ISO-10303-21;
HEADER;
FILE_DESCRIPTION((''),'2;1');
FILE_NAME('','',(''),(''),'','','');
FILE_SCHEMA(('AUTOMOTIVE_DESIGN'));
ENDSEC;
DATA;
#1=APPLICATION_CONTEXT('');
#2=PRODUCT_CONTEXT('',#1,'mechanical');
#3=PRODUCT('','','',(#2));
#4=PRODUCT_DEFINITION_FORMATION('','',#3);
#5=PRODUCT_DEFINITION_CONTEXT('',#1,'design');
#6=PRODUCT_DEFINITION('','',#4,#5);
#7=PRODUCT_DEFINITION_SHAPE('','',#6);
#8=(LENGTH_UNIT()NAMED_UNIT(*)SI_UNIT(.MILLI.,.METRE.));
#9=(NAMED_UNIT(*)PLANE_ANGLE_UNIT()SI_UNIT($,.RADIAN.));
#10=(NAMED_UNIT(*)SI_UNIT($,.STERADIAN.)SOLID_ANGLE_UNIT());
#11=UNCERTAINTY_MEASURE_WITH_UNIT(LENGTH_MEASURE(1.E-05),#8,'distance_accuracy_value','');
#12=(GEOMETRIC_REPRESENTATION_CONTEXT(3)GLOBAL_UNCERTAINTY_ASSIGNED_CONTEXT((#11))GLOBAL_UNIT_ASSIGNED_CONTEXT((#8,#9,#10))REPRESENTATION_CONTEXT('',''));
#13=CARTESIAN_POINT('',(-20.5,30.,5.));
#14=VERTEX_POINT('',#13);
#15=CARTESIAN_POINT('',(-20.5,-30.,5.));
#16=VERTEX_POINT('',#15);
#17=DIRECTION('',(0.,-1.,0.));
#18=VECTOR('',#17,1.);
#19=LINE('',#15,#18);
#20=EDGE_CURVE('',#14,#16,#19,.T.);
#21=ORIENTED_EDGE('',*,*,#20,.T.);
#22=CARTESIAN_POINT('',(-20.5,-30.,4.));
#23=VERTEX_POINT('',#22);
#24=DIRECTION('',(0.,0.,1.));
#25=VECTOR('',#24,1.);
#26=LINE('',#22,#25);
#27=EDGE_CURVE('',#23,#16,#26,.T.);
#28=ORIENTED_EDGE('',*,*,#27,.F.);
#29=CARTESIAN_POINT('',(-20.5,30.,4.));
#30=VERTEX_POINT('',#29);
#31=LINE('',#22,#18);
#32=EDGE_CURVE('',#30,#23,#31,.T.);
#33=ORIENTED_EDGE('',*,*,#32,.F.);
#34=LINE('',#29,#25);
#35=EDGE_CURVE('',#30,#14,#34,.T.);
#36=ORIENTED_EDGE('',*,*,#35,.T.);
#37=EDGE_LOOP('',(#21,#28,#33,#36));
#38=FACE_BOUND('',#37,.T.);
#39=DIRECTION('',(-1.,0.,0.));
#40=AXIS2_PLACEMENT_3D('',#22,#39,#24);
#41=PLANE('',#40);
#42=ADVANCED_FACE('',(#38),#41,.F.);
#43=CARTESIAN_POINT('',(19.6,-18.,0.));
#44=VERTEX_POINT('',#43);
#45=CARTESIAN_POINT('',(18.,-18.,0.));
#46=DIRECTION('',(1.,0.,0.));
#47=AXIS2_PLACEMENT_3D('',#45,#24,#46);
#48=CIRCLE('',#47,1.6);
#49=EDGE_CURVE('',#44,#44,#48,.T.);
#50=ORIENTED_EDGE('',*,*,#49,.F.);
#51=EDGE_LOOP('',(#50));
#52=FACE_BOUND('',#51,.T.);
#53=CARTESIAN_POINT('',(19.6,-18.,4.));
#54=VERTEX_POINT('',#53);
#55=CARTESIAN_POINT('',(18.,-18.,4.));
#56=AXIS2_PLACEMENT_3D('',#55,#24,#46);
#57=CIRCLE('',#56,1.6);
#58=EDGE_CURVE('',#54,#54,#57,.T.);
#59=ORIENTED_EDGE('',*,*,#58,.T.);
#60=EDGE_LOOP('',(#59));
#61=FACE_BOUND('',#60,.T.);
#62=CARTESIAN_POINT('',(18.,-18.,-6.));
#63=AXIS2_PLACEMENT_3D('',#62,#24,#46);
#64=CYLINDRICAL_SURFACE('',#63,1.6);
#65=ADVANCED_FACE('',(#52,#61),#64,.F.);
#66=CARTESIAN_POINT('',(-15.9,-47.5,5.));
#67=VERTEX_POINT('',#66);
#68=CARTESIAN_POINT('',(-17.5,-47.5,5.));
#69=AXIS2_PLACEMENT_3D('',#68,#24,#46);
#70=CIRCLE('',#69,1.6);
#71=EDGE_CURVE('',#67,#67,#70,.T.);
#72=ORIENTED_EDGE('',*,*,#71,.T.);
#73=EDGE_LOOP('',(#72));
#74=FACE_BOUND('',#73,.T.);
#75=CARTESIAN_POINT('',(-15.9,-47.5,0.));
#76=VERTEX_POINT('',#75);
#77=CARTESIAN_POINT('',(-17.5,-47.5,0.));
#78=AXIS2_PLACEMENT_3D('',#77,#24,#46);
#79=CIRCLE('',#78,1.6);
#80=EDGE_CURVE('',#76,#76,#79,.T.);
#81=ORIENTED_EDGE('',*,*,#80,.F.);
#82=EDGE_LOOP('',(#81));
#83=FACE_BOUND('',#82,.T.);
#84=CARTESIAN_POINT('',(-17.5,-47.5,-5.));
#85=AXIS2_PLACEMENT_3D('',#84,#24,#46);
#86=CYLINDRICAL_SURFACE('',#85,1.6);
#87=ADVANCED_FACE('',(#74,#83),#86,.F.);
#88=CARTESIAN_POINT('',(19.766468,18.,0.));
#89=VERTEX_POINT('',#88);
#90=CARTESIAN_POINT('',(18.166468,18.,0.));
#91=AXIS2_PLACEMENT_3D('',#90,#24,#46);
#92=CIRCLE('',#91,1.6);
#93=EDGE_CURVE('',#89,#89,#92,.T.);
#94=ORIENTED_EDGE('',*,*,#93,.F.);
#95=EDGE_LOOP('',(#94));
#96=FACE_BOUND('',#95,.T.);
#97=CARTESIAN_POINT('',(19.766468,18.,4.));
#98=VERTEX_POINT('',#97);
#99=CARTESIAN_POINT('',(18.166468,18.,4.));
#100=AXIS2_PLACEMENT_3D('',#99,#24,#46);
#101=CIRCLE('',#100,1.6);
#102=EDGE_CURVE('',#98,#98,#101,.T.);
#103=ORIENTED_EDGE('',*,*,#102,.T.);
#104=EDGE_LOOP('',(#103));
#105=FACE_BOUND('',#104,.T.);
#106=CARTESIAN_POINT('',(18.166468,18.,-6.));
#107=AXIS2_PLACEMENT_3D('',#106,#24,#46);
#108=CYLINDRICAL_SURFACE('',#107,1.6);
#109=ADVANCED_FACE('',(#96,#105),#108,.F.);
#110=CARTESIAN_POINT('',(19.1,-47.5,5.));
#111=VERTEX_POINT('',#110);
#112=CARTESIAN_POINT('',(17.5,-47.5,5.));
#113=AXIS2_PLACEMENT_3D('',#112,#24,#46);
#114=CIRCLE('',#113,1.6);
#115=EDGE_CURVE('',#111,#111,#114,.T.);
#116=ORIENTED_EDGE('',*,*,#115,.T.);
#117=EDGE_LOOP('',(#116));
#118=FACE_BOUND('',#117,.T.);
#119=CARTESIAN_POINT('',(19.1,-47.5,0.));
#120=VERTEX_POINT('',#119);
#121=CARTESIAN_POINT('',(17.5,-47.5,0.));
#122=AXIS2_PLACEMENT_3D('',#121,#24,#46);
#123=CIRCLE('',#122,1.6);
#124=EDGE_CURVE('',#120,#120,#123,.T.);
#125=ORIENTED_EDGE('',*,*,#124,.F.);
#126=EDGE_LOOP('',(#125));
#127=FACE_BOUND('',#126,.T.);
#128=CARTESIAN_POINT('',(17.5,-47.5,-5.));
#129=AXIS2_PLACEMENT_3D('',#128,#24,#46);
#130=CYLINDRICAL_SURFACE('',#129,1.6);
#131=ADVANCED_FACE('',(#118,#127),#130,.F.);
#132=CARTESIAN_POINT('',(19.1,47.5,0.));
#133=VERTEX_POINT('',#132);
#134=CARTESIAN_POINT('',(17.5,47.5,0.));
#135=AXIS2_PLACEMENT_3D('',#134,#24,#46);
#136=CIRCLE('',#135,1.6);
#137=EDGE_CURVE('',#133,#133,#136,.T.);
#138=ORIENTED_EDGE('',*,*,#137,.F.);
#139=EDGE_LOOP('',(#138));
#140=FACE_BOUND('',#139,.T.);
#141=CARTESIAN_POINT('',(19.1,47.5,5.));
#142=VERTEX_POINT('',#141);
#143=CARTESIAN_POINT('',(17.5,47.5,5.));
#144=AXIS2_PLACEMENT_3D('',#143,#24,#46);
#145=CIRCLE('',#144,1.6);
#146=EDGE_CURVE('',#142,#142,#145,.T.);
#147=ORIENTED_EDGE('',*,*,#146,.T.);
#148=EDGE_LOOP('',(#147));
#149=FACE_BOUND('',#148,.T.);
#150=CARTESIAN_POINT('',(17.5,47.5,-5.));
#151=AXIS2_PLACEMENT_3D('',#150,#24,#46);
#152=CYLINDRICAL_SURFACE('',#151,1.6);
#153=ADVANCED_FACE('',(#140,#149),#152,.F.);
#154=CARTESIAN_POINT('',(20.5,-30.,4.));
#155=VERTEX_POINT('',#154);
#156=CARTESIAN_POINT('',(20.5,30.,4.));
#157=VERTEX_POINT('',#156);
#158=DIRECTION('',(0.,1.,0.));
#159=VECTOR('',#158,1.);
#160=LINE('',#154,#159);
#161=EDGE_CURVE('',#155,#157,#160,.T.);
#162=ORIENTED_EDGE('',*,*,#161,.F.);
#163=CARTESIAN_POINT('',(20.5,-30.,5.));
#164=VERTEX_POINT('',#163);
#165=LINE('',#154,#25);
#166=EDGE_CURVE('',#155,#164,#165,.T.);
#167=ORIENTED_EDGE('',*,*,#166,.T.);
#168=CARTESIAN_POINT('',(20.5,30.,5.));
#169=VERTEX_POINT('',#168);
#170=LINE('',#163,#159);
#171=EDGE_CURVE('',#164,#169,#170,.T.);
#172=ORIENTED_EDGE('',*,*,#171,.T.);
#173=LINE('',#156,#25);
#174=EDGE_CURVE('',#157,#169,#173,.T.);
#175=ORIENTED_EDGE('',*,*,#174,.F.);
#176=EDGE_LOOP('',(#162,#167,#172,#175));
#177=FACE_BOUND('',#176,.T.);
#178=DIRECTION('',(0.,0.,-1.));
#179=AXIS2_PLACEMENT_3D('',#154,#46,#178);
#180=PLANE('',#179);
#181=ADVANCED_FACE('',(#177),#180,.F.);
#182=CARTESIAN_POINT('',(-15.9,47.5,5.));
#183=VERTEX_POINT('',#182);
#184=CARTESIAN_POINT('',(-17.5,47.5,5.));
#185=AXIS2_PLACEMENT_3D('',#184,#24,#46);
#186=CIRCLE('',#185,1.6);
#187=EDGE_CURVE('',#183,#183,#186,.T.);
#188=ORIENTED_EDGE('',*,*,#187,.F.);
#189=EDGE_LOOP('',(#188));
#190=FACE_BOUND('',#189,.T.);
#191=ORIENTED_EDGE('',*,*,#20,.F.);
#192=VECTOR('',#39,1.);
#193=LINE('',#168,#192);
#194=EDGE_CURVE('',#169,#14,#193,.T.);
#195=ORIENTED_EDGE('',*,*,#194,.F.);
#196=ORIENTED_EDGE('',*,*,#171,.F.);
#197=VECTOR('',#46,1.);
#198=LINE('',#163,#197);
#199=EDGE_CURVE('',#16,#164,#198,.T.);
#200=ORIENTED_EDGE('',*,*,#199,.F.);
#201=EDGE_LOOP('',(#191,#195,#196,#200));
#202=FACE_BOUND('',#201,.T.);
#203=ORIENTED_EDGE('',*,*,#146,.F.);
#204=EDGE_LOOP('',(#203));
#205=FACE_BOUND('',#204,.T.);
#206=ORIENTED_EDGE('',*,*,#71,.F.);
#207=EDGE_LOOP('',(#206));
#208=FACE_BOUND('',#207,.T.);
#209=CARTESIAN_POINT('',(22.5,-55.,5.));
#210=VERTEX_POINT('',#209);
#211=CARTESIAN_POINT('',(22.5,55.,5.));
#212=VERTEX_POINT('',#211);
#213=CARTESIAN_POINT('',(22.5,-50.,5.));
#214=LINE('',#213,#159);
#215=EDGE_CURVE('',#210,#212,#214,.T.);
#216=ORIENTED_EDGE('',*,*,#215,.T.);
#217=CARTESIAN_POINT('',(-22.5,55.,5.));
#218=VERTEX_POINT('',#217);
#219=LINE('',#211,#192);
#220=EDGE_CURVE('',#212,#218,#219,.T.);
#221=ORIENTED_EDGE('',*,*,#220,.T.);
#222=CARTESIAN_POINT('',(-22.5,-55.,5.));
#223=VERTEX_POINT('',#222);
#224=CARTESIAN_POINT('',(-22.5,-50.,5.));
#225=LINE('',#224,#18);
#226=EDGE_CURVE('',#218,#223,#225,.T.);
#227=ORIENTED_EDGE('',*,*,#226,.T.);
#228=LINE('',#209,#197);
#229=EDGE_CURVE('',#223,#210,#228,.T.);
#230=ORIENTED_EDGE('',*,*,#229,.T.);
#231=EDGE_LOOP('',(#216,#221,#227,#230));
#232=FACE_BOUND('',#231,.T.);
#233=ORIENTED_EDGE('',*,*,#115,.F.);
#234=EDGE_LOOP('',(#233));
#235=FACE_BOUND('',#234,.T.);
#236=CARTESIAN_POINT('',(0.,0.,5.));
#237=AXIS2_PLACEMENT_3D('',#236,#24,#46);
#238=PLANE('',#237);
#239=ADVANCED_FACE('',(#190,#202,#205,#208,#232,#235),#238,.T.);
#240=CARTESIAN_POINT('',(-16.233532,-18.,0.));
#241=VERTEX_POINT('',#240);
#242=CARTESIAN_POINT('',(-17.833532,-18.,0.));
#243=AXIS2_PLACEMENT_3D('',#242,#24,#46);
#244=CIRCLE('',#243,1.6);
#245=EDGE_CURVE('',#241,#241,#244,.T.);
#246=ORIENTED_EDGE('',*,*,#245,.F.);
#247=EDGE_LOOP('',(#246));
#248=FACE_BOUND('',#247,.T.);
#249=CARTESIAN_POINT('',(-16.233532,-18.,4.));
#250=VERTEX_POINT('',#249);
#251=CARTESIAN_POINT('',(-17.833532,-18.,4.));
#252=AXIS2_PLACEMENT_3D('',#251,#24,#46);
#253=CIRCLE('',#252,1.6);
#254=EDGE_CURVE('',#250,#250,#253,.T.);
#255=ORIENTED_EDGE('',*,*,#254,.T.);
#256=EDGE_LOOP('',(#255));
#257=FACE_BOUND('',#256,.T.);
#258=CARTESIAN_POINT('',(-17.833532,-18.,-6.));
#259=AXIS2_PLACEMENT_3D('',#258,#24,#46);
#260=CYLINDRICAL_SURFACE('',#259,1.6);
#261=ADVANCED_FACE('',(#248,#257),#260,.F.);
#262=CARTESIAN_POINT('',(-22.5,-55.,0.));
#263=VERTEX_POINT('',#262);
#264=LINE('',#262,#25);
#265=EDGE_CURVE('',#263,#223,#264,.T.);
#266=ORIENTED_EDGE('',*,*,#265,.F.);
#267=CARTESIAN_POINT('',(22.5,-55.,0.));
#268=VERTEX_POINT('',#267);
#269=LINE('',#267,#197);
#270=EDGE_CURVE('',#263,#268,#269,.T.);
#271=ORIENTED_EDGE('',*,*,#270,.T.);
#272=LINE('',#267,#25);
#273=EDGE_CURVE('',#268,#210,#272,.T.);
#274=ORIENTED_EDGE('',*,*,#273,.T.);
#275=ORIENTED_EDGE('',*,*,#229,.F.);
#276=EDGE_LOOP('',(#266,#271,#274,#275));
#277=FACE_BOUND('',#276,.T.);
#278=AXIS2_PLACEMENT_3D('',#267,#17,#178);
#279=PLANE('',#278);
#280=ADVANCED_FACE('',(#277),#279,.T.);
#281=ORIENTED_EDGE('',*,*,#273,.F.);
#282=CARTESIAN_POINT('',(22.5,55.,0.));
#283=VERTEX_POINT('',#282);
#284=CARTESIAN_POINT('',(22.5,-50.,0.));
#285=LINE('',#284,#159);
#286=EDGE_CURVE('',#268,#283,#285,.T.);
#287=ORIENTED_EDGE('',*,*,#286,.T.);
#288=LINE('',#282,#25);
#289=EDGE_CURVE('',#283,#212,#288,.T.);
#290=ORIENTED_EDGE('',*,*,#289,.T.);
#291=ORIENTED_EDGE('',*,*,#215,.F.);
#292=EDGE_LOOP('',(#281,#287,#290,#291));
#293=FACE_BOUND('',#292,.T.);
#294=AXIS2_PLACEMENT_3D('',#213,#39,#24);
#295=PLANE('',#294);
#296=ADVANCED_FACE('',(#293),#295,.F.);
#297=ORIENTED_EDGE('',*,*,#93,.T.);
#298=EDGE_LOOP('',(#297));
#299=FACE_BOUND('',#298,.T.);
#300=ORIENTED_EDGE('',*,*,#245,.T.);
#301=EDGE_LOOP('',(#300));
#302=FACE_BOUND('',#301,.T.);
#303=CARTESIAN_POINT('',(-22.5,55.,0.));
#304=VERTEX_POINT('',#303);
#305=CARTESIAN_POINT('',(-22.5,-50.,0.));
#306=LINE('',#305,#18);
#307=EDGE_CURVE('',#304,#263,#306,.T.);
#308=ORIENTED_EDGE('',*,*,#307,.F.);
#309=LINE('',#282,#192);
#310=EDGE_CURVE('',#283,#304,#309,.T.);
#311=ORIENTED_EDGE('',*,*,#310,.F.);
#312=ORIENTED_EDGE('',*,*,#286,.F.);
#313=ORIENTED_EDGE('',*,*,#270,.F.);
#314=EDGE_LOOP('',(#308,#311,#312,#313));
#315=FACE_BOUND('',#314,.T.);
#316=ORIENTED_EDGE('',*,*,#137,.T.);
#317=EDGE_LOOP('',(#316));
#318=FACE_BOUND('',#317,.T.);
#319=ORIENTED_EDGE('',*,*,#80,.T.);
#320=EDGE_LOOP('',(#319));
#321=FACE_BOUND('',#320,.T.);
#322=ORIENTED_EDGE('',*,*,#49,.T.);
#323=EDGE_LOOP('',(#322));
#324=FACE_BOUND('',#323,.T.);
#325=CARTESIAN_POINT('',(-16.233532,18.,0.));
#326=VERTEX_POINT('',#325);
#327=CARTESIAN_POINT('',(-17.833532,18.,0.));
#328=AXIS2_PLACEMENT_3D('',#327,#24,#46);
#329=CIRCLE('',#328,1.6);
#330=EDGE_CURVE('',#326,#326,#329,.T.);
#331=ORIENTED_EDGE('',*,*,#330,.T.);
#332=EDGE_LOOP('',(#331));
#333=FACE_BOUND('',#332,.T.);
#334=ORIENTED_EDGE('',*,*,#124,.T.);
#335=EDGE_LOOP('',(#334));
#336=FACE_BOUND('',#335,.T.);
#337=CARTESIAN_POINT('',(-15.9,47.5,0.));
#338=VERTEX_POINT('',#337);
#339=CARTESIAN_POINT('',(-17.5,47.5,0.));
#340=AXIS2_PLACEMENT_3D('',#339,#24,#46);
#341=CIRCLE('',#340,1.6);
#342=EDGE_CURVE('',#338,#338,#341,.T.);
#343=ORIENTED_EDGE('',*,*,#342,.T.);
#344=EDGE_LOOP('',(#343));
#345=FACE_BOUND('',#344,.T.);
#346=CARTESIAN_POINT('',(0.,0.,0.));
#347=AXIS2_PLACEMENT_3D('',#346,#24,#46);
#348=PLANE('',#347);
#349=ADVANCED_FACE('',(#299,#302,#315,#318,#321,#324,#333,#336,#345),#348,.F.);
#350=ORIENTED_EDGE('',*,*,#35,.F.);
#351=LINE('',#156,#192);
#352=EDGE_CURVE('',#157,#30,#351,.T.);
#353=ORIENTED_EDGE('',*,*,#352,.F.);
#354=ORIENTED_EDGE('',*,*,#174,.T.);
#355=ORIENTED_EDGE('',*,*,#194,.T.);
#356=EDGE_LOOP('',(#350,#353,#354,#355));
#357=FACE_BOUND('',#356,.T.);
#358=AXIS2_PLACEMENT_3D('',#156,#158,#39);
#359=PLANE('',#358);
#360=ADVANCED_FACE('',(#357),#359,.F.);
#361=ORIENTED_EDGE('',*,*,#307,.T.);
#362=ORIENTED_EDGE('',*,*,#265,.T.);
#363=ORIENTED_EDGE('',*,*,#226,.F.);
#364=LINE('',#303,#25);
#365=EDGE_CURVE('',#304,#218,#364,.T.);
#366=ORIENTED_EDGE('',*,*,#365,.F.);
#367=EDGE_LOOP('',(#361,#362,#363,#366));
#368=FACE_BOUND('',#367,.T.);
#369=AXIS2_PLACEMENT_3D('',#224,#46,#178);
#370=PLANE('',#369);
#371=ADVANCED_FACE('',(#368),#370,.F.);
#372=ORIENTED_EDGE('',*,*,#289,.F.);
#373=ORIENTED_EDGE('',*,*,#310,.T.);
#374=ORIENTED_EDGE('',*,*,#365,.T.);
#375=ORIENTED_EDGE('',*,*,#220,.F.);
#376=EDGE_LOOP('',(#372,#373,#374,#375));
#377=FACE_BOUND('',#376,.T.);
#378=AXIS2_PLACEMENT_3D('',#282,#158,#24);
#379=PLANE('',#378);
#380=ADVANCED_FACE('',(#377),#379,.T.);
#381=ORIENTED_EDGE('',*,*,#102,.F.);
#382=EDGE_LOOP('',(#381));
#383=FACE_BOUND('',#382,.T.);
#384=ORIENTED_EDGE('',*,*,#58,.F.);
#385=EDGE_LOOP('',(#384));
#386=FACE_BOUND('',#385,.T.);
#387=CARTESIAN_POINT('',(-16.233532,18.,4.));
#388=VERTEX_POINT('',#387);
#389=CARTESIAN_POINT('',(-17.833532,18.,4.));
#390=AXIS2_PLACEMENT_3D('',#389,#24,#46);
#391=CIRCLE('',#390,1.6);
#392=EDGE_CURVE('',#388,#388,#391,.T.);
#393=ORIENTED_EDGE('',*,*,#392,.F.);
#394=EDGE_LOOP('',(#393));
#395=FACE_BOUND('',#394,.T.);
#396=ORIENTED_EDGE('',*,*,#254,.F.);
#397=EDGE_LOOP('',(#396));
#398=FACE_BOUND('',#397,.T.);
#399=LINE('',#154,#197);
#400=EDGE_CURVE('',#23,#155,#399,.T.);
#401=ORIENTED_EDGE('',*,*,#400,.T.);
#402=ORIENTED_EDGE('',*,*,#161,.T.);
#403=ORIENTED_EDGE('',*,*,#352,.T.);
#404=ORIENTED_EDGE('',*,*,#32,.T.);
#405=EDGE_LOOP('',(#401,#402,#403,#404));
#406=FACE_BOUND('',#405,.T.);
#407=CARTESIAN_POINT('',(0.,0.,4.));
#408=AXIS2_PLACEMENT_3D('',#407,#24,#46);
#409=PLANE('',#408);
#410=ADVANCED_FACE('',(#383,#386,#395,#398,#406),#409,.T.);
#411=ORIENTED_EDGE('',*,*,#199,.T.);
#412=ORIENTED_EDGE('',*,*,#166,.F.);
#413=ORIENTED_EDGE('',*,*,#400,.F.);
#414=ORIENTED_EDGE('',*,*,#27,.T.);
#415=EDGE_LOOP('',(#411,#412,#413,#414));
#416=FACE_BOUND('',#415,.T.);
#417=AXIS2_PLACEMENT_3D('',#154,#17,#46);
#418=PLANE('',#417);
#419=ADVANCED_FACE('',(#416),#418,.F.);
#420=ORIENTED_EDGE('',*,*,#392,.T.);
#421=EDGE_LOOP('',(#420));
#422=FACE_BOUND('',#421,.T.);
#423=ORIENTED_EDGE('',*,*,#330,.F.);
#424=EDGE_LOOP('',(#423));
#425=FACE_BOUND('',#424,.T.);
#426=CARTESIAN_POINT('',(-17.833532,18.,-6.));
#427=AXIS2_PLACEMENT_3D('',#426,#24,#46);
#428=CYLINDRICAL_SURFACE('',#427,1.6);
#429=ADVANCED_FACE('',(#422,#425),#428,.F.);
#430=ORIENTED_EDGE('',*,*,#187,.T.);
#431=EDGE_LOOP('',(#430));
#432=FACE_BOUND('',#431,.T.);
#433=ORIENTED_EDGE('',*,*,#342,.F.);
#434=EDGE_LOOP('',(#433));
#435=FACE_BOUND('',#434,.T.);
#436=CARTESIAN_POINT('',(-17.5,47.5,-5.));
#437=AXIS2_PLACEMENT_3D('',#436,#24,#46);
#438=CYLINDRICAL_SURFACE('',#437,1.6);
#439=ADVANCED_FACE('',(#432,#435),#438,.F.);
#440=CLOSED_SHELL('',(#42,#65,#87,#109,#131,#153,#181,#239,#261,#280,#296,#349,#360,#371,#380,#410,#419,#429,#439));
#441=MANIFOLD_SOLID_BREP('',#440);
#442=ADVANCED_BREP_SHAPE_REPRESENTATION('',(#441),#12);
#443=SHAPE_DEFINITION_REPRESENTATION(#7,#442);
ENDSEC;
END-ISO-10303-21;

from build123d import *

# Parameters (mm, degrees)
SKETCH_1_W          = 45
SKETCH_1_H          = 100
EXTRUDE_1_DEPTH     = 5
SKETCH_2_W          = 41
SKETCH_2_H          = 60
CUT_EXTRUDE_1_DEPTH = 1
SKETCH_5_W          = 45
SKETCH_5_H          = 5
EXTRUDE_2_DEPTH     = 5
SKETCH_4_R          = 1.6
CUT_EXTRUDE_4_DEPTH = 10
SKETCH_3_R          = 1.6
CUT_EXTRUDE_7_DEPTH = 10


with BuildPart() as part:
    # 草图1 → 凸台-拉伸1 (new body)
    with BuildSketch(Plane.XY):
        Rectangle(SKETCH_1_W, SKETCH_1_H)
    extrude(amount=EXTRUDE_1_DEPTH)

    # 草图2 → 切除-拉伸1 (cut)
    with BuildSketch(Plane.XY.offset(5)):
        Rectangle(SKETCH_2_W, SKETCH_2_H)
    extrude(amount=-CUT_EXTRUDE_1_DEPTH, mode=Mode.SUBTRACT)

    # 草图5 → 凸台-拉伸2 (add)
    with BuildSketch(Plane.XY.offset(5)):
        with Locations((0, 52.5)):
            Rectangle(SKETCH_5_W, SKETCH_5_H)
        with Locations((0, -52.5)):
            Rectangle(SKETCH_5_W, SKETCH_5_H)
    extrude(amount=-EXTRUDE_2_DEPTH)

    # 草图4 → 切除-拉伸4 (cut)
    with BuildSketch(Plane.XY.offset(5)):
        with Locations((-17.5, 47.5)):
            Circle(SKETCH_4_R)
        with Locations((17.5, 47.5)):
            Circle(SKETCH_4_R)
        with Locations((-17.5, -47.5)):
            Circle(SKETCH_4_R)
        with Locations((17.5, -47.5)):
            Circle(SKETCH_4_R)
    extrude(amount=-CUT_EXTRUDE_4_DEPTH, mode=Mode.SUBTRACT)

    # 草图3 → 切除-拉伸7 (cut)
    with BuildSketch(Plane.XY.offset(4)):
        with BuildLine():
            ThreePointArc((-17.833531825, 16.4), (-16.702160975, 16.86862915), (-16.233531825, 18))
            Line((-16.233531825, 18), (-17.833531825, 18))
            Line((-17.833531825, 18), (-17.833531825, 16.4))
        make_face()
        with BuildLine():
            Line((-17.833531825, 18), (-16.233531825, 18))
            ThreePointArc((-16.233531825, 18), (-18.964902675, 19.13137085), (-17.833531825, 16.4))
            Line((-17.833531825, 16.4), (-17.833531825, 18))
        make_face()
        with Locations((-17.833531825, -18)):
            Circle(SKETCH_3_R)
        with Locations((18, -18)):
            Circle(SKETCH_3_R)
        with Locations((18.166468175, 18)):
            Circle(SKETCH_3_R)
    extrude(amount=-CUT_EXTRUDE_7_DEPTH, mode=Mode.SUBTRACT)


solid = part.part
